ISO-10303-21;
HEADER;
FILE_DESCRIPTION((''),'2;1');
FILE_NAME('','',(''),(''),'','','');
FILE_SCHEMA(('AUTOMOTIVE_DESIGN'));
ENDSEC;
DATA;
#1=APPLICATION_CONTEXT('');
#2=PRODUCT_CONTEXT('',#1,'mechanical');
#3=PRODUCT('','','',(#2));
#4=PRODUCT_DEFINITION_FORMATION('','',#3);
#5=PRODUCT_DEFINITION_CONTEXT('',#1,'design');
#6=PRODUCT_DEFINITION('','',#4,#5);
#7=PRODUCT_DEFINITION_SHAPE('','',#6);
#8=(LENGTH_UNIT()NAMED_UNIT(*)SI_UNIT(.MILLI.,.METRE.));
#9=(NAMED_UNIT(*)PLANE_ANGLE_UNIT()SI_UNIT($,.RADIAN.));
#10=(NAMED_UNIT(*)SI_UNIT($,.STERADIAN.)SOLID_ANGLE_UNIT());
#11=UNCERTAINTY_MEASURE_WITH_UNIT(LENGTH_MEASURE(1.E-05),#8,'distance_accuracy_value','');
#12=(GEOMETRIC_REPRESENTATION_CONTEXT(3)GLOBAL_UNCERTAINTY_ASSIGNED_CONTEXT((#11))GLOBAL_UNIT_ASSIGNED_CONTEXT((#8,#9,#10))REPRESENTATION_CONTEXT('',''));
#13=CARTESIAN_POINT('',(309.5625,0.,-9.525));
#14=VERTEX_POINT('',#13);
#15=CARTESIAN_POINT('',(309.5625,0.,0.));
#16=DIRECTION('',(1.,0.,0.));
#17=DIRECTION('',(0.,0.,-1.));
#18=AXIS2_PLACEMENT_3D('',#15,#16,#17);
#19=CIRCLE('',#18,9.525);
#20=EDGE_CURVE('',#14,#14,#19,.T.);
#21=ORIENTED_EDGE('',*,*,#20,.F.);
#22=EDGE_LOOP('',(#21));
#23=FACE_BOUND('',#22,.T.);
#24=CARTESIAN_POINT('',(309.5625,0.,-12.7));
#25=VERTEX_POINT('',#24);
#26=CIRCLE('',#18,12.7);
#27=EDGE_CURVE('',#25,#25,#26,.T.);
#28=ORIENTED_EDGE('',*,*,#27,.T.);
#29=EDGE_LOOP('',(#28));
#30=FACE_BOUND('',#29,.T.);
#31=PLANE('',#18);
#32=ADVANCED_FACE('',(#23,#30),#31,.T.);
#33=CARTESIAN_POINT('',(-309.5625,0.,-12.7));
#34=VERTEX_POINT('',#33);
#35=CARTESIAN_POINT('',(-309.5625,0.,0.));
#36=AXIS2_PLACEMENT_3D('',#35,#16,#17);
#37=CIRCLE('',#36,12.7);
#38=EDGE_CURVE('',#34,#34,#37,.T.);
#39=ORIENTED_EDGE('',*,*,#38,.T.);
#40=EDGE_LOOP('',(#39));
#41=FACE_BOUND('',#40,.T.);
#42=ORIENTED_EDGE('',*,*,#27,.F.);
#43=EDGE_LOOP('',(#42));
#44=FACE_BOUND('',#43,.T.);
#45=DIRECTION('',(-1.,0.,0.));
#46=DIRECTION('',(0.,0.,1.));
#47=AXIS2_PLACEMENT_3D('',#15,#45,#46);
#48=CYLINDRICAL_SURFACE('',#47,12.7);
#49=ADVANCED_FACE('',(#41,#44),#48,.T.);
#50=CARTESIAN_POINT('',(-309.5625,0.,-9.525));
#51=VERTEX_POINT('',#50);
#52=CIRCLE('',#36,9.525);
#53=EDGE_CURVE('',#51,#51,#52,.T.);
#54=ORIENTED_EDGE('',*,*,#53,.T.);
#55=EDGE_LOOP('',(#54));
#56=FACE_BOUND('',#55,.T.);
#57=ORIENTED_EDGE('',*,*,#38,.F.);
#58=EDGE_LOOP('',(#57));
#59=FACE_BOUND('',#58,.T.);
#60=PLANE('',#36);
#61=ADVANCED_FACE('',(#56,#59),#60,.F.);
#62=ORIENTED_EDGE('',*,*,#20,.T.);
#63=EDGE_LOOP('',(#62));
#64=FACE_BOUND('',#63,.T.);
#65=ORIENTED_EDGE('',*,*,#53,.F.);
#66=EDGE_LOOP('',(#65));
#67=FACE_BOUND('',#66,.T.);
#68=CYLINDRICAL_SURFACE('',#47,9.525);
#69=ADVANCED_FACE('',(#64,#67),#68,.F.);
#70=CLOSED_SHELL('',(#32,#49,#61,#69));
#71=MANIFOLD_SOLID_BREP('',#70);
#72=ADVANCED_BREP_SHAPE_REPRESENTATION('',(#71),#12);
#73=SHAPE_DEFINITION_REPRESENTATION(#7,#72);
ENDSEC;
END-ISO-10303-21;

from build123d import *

# Parameters (mm, degrees)
SKETCH1_R           = 12.7
SKETCH1_R_2         = 9.525
BOSS_EXTRUDE1_DEPTH = 309.5625


with BuildPart() as part:
    # Sketch1 → Boss-Extrude1 (new body, symmetric)
    with BuildSketch(Plane(origin=(0, 0, 0), x_dir=(0, 0, -1), z_dir=(1, 0, 0))):
        Circle(SKETCH1_R)
        Circle(SKETCH1_R_2, mode=Mode.SUBTRACT)
    extrude(amount=BOSS_EXTRUDE1_DEPTH, both=True)


solid = part.part
